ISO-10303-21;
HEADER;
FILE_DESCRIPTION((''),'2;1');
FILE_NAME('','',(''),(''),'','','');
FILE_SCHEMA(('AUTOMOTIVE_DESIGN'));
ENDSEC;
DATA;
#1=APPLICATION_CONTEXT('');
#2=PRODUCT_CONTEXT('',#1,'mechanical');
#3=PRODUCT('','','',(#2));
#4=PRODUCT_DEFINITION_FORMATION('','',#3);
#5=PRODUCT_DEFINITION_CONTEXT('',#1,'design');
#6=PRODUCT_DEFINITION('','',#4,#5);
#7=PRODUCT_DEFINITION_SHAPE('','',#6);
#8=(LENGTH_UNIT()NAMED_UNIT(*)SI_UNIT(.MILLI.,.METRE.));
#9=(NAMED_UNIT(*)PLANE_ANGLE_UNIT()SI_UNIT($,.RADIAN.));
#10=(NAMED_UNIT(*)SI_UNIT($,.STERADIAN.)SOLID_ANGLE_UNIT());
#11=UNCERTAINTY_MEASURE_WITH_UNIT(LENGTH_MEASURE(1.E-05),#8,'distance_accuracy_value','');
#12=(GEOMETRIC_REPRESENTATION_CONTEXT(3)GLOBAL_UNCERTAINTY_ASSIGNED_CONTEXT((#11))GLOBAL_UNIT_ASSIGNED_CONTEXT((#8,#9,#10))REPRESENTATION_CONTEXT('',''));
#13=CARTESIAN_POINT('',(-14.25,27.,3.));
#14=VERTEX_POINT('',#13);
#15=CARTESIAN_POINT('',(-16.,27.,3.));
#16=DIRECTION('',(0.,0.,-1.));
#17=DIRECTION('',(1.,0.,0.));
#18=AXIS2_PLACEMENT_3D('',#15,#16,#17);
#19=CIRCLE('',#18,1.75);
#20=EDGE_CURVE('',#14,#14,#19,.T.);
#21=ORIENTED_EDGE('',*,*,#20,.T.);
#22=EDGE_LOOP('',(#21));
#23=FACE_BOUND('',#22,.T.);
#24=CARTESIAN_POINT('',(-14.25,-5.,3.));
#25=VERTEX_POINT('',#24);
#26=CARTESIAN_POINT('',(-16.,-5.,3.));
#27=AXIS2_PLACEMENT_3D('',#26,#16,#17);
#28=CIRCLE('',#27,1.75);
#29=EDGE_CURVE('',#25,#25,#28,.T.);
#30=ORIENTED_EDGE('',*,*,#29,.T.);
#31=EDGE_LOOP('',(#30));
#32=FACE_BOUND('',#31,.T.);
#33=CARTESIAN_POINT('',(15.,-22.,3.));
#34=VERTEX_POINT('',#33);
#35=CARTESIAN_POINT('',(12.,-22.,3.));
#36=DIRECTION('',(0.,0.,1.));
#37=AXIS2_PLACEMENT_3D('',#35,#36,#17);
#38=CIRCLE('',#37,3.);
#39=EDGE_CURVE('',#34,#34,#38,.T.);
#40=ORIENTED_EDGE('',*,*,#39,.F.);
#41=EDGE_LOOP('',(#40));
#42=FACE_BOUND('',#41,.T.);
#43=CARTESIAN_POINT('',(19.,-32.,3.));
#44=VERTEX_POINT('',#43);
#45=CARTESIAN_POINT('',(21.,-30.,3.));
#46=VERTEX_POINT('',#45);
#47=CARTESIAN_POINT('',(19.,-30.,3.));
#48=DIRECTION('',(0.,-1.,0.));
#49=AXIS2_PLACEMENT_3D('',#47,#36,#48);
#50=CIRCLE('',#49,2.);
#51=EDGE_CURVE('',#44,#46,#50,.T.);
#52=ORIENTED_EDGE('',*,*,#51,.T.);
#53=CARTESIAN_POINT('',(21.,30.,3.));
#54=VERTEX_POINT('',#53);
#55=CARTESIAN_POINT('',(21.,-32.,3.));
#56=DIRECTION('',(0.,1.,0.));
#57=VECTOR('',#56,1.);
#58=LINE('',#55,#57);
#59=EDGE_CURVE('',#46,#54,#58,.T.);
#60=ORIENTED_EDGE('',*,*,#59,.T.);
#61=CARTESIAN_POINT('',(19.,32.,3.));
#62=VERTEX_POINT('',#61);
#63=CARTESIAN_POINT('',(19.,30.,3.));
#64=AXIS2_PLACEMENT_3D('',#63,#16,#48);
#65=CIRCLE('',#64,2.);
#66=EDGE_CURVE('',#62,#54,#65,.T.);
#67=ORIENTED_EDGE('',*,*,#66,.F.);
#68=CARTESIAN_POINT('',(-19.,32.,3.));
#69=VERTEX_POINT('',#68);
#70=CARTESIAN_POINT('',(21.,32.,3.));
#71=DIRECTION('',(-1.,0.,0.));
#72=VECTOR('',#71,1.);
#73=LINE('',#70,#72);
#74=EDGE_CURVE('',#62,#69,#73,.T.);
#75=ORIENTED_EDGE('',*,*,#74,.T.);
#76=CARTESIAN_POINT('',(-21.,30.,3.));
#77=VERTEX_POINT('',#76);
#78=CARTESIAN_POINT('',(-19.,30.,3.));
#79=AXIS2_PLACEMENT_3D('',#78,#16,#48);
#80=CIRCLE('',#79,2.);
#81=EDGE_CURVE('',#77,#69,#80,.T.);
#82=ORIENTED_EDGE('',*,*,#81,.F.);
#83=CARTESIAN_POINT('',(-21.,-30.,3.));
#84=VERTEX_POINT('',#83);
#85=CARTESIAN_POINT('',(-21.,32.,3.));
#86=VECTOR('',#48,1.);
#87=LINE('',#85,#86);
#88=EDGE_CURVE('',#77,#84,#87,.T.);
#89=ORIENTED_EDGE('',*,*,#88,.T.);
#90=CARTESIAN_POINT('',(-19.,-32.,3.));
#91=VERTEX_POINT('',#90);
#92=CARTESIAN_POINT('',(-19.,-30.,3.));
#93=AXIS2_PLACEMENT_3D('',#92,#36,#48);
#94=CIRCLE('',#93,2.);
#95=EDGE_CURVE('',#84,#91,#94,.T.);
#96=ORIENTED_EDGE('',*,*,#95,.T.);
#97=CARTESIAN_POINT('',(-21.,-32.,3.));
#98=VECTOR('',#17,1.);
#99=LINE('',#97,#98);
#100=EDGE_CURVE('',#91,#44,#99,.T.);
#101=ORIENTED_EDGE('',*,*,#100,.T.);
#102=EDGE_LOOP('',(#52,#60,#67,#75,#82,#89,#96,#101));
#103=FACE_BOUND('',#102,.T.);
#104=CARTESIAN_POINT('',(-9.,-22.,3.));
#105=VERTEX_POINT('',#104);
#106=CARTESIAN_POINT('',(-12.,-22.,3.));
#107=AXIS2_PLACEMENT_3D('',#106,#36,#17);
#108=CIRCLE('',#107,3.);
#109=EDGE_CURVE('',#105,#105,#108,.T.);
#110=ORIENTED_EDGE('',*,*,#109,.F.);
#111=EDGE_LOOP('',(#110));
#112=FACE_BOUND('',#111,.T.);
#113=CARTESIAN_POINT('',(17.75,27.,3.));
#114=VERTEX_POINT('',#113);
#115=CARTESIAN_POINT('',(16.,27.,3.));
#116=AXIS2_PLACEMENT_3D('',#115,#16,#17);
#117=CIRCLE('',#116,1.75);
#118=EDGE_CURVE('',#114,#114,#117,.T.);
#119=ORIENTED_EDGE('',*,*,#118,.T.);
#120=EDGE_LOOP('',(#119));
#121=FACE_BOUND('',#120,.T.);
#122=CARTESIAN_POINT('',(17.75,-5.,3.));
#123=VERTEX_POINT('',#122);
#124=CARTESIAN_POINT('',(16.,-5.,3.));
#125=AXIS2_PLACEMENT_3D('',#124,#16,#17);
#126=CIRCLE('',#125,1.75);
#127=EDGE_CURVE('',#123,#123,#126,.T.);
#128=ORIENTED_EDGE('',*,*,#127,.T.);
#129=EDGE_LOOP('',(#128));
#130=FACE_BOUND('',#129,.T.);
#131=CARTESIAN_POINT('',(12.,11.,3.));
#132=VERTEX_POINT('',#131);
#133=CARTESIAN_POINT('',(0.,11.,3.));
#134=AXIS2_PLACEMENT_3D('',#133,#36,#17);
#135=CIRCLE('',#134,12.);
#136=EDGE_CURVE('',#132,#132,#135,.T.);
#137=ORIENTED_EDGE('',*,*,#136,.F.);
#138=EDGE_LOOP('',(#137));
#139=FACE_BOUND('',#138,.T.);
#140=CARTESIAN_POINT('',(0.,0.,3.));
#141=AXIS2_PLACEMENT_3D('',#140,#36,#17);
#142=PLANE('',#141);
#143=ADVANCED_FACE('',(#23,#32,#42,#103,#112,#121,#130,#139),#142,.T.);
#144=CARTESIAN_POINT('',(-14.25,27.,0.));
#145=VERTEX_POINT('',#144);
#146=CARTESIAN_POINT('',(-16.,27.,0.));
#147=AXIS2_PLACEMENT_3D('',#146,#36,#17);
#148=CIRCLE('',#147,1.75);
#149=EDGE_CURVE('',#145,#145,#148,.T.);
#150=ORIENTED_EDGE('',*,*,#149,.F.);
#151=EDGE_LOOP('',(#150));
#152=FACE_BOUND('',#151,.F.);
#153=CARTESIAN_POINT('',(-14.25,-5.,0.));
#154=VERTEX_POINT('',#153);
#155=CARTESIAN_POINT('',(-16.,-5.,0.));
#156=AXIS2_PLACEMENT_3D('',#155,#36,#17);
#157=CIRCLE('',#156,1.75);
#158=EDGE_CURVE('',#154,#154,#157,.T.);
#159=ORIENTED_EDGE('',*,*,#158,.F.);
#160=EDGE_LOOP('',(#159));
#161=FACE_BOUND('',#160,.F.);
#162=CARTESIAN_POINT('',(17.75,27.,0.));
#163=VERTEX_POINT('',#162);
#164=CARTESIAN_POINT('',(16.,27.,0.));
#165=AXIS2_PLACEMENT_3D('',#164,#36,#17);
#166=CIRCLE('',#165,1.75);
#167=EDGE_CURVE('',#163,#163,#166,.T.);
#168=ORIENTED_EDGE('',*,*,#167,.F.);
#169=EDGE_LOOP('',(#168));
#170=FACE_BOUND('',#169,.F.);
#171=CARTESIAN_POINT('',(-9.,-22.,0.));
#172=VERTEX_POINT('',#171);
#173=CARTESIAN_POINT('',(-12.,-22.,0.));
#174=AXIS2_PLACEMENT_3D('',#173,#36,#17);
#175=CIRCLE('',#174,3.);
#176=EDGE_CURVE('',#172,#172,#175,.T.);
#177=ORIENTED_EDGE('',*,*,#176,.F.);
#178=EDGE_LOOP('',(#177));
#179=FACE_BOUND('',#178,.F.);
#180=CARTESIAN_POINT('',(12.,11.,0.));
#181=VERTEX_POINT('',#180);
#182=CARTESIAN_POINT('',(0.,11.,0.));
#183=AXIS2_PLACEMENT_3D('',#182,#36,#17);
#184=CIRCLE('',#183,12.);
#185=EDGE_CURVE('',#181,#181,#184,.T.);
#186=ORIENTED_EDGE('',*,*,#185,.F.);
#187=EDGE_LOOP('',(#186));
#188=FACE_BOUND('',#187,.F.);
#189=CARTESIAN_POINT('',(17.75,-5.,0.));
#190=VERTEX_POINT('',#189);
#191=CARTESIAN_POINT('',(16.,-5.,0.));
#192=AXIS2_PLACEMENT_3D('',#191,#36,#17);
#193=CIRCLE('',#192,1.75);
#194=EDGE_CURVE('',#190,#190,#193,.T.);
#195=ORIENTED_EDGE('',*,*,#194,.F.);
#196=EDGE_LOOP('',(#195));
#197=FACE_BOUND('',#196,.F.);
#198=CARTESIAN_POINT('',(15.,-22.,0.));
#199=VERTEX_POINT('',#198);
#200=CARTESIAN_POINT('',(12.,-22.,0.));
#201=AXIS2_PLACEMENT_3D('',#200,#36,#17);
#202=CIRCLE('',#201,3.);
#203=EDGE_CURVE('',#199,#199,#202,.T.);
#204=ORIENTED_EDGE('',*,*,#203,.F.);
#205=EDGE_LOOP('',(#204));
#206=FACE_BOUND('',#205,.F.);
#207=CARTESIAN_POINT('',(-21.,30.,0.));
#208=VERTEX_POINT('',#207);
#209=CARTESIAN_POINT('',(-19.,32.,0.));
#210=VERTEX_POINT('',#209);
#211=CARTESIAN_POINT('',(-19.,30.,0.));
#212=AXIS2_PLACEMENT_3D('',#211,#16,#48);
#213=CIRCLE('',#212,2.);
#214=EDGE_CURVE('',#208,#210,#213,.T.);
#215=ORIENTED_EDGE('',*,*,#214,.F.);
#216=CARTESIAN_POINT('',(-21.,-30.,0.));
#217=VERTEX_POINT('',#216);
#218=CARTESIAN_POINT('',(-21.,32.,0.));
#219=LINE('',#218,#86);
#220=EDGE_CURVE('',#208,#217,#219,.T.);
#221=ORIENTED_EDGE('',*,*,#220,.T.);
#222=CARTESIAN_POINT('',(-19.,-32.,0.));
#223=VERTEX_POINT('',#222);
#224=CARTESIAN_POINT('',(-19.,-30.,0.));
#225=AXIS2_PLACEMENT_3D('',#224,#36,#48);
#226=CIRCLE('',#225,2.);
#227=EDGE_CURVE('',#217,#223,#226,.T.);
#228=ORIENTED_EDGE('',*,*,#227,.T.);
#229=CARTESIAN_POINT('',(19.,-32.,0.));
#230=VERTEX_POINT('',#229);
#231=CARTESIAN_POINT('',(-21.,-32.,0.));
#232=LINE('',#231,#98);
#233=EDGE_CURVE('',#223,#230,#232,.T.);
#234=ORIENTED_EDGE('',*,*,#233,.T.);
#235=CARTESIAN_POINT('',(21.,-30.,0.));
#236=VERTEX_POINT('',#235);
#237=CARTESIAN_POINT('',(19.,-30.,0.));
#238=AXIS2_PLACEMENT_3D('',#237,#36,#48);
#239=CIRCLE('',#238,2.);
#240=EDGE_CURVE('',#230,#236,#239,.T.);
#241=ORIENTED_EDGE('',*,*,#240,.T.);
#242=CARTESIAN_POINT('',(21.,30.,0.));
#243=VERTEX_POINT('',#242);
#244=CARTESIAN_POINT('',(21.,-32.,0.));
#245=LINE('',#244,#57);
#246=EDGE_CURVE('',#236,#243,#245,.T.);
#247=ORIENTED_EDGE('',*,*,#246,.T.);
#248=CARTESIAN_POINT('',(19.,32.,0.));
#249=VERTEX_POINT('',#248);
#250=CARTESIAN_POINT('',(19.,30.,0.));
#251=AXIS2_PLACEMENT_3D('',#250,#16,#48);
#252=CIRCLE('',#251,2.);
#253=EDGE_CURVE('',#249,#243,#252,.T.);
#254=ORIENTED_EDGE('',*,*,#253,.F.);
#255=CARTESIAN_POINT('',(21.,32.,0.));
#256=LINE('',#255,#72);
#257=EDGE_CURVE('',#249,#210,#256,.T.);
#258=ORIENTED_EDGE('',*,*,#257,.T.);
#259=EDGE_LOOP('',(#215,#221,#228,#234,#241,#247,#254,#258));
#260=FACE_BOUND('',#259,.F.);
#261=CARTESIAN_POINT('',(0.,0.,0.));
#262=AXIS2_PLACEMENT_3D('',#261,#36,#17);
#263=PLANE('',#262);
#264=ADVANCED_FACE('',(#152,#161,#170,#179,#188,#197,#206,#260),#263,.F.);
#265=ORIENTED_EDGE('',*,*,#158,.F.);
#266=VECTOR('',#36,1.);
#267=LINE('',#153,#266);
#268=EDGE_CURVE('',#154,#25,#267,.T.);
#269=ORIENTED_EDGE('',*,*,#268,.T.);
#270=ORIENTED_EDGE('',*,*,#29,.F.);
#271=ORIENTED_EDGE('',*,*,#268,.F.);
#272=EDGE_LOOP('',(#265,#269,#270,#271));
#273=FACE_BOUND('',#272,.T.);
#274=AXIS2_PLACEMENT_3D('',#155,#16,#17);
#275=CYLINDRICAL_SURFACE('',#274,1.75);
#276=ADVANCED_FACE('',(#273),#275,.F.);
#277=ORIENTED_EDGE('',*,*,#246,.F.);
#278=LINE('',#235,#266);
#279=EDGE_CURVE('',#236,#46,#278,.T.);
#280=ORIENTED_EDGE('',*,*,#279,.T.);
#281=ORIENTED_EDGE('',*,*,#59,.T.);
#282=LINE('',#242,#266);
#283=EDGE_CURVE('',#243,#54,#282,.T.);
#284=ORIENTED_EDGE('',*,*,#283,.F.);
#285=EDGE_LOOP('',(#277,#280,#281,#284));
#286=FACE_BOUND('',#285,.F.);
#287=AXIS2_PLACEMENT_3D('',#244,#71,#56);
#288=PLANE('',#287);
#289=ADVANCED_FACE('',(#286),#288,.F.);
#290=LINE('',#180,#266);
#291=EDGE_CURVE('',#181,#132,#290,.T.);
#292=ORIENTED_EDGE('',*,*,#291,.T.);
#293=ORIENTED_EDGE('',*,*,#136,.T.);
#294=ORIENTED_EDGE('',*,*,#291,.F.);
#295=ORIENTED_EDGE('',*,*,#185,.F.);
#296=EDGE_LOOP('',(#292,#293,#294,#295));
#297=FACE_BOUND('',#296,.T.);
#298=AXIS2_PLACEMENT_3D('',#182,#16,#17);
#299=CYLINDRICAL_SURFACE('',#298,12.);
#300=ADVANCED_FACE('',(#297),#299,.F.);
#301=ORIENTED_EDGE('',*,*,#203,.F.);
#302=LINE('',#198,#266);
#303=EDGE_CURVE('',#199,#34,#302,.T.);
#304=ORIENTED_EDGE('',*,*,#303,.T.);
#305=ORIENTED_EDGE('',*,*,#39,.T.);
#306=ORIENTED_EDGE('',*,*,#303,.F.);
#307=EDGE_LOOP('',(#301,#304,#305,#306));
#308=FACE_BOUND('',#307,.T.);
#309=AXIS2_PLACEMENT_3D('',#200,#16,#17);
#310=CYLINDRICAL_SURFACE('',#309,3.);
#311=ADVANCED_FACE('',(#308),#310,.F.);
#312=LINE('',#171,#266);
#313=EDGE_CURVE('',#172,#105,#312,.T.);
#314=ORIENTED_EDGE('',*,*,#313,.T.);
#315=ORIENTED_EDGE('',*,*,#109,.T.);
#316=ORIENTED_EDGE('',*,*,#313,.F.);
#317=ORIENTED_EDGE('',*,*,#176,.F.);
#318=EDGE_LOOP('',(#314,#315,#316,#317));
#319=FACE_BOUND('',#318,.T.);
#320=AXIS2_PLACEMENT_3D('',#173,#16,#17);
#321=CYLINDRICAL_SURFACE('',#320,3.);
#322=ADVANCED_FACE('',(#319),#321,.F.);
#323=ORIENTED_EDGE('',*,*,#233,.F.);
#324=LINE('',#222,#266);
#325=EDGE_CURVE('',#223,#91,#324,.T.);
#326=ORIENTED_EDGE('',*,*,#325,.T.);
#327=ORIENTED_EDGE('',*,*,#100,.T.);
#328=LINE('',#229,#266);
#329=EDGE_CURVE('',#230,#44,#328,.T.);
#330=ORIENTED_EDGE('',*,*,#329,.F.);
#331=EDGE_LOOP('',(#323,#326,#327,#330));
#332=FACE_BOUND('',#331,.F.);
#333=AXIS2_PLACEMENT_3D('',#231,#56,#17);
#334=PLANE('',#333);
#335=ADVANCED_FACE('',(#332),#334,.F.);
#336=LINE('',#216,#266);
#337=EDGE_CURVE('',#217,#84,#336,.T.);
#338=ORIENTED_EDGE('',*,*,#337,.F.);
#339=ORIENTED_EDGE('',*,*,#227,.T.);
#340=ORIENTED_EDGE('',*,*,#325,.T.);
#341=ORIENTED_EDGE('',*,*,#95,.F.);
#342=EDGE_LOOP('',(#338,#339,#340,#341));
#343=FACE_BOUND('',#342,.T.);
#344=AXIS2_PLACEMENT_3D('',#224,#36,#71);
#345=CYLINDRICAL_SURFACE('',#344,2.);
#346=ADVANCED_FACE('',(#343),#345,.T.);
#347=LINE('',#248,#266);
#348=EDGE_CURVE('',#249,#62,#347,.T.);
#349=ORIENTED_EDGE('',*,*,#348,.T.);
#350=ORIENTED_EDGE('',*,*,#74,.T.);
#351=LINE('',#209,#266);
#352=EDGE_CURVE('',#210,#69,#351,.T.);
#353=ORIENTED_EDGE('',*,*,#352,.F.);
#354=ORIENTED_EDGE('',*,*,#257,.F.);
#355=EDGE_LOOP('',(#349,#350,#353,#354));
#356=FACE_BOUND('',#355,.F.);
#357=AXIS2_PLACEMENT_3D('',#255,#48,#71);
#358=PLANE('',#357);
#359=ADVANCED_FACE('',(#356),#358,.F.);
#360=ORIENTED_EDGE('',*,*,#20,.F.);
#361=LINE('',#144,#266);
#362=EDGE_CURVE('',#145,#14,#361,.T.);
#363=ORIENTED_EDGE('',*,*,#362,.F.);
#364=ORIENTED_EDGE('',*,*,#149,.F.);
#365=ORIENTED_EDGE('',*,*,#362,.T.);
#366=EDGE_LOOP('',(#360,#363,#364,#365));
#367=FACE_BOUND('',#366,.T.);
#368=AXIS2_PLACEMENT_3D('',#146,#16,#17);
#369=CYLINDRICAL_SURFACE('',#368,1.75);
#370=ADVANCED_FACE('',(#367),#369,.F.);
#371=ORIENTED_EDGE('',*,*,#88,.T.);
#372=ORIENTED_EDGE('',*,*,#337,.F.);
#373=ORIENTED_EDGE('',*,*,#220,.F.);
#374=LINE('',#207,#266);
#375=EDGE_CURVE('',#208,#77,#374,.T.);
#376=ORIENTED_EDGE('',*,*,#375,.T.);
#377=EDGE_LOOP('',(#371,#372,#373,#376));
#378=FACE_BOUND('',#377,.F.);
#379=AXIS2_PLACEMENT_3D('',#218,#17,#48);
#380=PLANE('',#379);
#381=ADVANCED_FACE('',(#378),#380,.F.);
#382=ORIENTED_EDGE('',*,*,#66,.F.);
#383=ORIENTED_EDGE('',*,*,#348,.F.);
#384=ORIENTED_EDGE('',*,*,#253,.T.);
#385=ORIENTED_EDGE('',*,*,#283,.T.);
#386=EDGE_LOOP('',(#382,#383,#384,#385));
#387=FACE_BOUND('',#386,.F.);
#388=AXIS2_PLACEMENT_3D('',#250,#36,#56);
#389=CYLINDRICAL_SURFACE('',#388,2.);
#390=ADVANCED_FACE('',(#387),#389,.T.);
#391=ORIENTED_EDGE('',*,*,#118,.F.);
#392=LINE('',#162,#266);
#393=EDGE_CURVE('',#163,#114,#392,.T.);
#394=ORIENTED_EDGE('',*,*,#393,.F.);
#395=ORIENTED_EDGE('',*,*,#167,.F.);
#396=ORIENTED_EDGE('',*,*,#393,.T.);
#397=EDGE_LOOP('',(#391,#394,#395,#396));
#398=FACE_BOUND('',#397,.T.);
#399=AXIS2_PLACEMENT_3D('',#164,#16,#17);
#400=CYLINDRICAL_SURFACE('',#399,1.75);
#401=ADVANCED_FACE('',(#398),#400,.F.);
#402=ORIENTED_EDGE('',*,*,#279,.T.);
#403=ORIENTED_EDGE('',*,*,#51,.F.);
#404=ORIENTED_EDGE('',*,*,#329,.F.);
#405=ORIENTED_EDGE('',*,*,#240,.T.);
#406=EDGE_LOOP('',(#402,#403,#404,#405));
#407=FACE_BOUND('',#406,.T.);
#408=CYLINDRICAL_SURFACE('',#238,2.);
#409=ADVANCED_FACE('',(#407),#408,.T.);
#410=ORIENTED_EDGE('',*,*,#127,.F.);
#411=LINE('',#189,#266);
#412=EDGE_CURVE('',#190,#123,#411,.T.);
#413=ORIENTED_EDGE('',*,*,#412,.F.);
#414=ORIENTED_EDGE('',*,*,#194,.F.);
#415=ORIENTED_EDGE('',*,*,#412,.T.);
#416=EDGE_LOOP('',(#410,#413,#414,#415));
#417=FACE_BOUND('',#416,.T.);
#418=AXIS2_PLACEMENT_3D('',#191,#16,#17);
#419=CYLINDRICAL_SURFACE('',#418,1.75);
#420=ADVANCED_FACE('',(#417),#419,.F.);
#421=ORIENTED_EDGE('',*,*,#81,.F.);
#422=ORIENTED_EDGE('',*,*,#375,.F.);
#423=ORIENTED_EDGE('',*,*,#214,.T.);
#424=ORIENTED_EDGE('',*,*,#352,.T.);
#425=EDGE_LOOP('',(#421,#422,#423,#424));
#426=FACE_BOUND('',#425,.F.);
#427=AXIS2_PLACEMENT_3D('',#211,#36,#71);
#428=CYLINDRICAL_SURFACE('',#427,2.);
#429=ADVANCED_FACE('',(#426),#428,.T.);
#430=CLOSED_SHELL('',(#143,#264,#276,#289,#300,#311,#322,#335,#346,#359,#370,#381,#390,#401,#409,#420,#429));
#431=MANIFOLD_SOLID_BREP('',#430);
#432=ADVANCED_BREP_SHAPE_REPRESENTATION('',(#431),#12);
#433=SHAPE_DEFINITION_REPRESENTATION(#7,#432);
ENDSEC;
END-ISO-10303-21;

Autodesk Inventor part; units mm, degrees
ref_plane "YZ Plane" through (0, 0, 0) normal (1, 0, 0) x (0, 1, 0)
ref_plane "XZ Plane" through (0, 0, 0) normal (0, 1, 0) x (-1, 0, 0)
ref_plane "XY Plane" through (0, 0, 0) normal (0, 0, 1) x (1, 0, 0)
sketch "Sketch1" plane through (0, 0, 0) normal (0, 0, 1) x (1, 0, 0)
  line L0 (-21, -32) -> (21, -32)
  line L1 (21, -32) -> (21, 32)
  line L2 (21, 32) -> (-21, 32)
  line L3 (-21, 32) -> (-21, -32)
  line L4 (-21, -32) -> (21, 32) construction
  line L5 (21, -32) -> (-21, 32) construction
  circle A0 centre (0, 11) radius 12
  circle A1 centre (-12, -22) radius 3
  circle A2 centre (12, -22) radius 3
  line L6 (-16, -5) -> (16, -5)
  line L7 (16, -5) -> (16, 27)
  line L8 (16, 27) -> (-16, 27)
  line L9 (-16, 27) -> (-16, -5)
  line L10 (-16, -5) -> (16, 27) construction
  line L11 (16, -5) -> (-16, 27) construction
  circle A3 centre (-16, 27) radius 1.75
  circle A4 centre (16, 27) radius 1.75
  circle A5 centre (16, -5) radius 1.75
  circle A6 centre (-16, -5) radius 1.75
  point P0 (0, 0)
  dimension "d0" = 42
  dimension "d1" = 64
  dimension "d2" = 43
  dimension "d3" = 21
  dimension "d4" = 24
  dimension "d5" = 6
  dimension "d6" = 6
  dimension "d7" = 10
  dimension "d8" = 10
  dimension "d9" = 12
  dimension "d10" = 12
  dimension "d11" = 32
  dimension "d12" = 32
  dimension "d13" = 3.5
  dimension "d14" = 3.5
  dimension "d15" = 3.5
  dimension "d16" = 3.5
extrude "Extrusion1" add sketch "Sketch1" along normal blind 3 contours L3 L2 L1 L0 | A6 L9 A3 L8 A4 L7 A5 L6
fillet "Fillet1" radius 2 4 edges at (-21, 32, 1.5) (21, 32, 1.5) (21, -32, 1.5) (-21, -32, 1.5)
properties part number "pad dong co buoc truc Y"
